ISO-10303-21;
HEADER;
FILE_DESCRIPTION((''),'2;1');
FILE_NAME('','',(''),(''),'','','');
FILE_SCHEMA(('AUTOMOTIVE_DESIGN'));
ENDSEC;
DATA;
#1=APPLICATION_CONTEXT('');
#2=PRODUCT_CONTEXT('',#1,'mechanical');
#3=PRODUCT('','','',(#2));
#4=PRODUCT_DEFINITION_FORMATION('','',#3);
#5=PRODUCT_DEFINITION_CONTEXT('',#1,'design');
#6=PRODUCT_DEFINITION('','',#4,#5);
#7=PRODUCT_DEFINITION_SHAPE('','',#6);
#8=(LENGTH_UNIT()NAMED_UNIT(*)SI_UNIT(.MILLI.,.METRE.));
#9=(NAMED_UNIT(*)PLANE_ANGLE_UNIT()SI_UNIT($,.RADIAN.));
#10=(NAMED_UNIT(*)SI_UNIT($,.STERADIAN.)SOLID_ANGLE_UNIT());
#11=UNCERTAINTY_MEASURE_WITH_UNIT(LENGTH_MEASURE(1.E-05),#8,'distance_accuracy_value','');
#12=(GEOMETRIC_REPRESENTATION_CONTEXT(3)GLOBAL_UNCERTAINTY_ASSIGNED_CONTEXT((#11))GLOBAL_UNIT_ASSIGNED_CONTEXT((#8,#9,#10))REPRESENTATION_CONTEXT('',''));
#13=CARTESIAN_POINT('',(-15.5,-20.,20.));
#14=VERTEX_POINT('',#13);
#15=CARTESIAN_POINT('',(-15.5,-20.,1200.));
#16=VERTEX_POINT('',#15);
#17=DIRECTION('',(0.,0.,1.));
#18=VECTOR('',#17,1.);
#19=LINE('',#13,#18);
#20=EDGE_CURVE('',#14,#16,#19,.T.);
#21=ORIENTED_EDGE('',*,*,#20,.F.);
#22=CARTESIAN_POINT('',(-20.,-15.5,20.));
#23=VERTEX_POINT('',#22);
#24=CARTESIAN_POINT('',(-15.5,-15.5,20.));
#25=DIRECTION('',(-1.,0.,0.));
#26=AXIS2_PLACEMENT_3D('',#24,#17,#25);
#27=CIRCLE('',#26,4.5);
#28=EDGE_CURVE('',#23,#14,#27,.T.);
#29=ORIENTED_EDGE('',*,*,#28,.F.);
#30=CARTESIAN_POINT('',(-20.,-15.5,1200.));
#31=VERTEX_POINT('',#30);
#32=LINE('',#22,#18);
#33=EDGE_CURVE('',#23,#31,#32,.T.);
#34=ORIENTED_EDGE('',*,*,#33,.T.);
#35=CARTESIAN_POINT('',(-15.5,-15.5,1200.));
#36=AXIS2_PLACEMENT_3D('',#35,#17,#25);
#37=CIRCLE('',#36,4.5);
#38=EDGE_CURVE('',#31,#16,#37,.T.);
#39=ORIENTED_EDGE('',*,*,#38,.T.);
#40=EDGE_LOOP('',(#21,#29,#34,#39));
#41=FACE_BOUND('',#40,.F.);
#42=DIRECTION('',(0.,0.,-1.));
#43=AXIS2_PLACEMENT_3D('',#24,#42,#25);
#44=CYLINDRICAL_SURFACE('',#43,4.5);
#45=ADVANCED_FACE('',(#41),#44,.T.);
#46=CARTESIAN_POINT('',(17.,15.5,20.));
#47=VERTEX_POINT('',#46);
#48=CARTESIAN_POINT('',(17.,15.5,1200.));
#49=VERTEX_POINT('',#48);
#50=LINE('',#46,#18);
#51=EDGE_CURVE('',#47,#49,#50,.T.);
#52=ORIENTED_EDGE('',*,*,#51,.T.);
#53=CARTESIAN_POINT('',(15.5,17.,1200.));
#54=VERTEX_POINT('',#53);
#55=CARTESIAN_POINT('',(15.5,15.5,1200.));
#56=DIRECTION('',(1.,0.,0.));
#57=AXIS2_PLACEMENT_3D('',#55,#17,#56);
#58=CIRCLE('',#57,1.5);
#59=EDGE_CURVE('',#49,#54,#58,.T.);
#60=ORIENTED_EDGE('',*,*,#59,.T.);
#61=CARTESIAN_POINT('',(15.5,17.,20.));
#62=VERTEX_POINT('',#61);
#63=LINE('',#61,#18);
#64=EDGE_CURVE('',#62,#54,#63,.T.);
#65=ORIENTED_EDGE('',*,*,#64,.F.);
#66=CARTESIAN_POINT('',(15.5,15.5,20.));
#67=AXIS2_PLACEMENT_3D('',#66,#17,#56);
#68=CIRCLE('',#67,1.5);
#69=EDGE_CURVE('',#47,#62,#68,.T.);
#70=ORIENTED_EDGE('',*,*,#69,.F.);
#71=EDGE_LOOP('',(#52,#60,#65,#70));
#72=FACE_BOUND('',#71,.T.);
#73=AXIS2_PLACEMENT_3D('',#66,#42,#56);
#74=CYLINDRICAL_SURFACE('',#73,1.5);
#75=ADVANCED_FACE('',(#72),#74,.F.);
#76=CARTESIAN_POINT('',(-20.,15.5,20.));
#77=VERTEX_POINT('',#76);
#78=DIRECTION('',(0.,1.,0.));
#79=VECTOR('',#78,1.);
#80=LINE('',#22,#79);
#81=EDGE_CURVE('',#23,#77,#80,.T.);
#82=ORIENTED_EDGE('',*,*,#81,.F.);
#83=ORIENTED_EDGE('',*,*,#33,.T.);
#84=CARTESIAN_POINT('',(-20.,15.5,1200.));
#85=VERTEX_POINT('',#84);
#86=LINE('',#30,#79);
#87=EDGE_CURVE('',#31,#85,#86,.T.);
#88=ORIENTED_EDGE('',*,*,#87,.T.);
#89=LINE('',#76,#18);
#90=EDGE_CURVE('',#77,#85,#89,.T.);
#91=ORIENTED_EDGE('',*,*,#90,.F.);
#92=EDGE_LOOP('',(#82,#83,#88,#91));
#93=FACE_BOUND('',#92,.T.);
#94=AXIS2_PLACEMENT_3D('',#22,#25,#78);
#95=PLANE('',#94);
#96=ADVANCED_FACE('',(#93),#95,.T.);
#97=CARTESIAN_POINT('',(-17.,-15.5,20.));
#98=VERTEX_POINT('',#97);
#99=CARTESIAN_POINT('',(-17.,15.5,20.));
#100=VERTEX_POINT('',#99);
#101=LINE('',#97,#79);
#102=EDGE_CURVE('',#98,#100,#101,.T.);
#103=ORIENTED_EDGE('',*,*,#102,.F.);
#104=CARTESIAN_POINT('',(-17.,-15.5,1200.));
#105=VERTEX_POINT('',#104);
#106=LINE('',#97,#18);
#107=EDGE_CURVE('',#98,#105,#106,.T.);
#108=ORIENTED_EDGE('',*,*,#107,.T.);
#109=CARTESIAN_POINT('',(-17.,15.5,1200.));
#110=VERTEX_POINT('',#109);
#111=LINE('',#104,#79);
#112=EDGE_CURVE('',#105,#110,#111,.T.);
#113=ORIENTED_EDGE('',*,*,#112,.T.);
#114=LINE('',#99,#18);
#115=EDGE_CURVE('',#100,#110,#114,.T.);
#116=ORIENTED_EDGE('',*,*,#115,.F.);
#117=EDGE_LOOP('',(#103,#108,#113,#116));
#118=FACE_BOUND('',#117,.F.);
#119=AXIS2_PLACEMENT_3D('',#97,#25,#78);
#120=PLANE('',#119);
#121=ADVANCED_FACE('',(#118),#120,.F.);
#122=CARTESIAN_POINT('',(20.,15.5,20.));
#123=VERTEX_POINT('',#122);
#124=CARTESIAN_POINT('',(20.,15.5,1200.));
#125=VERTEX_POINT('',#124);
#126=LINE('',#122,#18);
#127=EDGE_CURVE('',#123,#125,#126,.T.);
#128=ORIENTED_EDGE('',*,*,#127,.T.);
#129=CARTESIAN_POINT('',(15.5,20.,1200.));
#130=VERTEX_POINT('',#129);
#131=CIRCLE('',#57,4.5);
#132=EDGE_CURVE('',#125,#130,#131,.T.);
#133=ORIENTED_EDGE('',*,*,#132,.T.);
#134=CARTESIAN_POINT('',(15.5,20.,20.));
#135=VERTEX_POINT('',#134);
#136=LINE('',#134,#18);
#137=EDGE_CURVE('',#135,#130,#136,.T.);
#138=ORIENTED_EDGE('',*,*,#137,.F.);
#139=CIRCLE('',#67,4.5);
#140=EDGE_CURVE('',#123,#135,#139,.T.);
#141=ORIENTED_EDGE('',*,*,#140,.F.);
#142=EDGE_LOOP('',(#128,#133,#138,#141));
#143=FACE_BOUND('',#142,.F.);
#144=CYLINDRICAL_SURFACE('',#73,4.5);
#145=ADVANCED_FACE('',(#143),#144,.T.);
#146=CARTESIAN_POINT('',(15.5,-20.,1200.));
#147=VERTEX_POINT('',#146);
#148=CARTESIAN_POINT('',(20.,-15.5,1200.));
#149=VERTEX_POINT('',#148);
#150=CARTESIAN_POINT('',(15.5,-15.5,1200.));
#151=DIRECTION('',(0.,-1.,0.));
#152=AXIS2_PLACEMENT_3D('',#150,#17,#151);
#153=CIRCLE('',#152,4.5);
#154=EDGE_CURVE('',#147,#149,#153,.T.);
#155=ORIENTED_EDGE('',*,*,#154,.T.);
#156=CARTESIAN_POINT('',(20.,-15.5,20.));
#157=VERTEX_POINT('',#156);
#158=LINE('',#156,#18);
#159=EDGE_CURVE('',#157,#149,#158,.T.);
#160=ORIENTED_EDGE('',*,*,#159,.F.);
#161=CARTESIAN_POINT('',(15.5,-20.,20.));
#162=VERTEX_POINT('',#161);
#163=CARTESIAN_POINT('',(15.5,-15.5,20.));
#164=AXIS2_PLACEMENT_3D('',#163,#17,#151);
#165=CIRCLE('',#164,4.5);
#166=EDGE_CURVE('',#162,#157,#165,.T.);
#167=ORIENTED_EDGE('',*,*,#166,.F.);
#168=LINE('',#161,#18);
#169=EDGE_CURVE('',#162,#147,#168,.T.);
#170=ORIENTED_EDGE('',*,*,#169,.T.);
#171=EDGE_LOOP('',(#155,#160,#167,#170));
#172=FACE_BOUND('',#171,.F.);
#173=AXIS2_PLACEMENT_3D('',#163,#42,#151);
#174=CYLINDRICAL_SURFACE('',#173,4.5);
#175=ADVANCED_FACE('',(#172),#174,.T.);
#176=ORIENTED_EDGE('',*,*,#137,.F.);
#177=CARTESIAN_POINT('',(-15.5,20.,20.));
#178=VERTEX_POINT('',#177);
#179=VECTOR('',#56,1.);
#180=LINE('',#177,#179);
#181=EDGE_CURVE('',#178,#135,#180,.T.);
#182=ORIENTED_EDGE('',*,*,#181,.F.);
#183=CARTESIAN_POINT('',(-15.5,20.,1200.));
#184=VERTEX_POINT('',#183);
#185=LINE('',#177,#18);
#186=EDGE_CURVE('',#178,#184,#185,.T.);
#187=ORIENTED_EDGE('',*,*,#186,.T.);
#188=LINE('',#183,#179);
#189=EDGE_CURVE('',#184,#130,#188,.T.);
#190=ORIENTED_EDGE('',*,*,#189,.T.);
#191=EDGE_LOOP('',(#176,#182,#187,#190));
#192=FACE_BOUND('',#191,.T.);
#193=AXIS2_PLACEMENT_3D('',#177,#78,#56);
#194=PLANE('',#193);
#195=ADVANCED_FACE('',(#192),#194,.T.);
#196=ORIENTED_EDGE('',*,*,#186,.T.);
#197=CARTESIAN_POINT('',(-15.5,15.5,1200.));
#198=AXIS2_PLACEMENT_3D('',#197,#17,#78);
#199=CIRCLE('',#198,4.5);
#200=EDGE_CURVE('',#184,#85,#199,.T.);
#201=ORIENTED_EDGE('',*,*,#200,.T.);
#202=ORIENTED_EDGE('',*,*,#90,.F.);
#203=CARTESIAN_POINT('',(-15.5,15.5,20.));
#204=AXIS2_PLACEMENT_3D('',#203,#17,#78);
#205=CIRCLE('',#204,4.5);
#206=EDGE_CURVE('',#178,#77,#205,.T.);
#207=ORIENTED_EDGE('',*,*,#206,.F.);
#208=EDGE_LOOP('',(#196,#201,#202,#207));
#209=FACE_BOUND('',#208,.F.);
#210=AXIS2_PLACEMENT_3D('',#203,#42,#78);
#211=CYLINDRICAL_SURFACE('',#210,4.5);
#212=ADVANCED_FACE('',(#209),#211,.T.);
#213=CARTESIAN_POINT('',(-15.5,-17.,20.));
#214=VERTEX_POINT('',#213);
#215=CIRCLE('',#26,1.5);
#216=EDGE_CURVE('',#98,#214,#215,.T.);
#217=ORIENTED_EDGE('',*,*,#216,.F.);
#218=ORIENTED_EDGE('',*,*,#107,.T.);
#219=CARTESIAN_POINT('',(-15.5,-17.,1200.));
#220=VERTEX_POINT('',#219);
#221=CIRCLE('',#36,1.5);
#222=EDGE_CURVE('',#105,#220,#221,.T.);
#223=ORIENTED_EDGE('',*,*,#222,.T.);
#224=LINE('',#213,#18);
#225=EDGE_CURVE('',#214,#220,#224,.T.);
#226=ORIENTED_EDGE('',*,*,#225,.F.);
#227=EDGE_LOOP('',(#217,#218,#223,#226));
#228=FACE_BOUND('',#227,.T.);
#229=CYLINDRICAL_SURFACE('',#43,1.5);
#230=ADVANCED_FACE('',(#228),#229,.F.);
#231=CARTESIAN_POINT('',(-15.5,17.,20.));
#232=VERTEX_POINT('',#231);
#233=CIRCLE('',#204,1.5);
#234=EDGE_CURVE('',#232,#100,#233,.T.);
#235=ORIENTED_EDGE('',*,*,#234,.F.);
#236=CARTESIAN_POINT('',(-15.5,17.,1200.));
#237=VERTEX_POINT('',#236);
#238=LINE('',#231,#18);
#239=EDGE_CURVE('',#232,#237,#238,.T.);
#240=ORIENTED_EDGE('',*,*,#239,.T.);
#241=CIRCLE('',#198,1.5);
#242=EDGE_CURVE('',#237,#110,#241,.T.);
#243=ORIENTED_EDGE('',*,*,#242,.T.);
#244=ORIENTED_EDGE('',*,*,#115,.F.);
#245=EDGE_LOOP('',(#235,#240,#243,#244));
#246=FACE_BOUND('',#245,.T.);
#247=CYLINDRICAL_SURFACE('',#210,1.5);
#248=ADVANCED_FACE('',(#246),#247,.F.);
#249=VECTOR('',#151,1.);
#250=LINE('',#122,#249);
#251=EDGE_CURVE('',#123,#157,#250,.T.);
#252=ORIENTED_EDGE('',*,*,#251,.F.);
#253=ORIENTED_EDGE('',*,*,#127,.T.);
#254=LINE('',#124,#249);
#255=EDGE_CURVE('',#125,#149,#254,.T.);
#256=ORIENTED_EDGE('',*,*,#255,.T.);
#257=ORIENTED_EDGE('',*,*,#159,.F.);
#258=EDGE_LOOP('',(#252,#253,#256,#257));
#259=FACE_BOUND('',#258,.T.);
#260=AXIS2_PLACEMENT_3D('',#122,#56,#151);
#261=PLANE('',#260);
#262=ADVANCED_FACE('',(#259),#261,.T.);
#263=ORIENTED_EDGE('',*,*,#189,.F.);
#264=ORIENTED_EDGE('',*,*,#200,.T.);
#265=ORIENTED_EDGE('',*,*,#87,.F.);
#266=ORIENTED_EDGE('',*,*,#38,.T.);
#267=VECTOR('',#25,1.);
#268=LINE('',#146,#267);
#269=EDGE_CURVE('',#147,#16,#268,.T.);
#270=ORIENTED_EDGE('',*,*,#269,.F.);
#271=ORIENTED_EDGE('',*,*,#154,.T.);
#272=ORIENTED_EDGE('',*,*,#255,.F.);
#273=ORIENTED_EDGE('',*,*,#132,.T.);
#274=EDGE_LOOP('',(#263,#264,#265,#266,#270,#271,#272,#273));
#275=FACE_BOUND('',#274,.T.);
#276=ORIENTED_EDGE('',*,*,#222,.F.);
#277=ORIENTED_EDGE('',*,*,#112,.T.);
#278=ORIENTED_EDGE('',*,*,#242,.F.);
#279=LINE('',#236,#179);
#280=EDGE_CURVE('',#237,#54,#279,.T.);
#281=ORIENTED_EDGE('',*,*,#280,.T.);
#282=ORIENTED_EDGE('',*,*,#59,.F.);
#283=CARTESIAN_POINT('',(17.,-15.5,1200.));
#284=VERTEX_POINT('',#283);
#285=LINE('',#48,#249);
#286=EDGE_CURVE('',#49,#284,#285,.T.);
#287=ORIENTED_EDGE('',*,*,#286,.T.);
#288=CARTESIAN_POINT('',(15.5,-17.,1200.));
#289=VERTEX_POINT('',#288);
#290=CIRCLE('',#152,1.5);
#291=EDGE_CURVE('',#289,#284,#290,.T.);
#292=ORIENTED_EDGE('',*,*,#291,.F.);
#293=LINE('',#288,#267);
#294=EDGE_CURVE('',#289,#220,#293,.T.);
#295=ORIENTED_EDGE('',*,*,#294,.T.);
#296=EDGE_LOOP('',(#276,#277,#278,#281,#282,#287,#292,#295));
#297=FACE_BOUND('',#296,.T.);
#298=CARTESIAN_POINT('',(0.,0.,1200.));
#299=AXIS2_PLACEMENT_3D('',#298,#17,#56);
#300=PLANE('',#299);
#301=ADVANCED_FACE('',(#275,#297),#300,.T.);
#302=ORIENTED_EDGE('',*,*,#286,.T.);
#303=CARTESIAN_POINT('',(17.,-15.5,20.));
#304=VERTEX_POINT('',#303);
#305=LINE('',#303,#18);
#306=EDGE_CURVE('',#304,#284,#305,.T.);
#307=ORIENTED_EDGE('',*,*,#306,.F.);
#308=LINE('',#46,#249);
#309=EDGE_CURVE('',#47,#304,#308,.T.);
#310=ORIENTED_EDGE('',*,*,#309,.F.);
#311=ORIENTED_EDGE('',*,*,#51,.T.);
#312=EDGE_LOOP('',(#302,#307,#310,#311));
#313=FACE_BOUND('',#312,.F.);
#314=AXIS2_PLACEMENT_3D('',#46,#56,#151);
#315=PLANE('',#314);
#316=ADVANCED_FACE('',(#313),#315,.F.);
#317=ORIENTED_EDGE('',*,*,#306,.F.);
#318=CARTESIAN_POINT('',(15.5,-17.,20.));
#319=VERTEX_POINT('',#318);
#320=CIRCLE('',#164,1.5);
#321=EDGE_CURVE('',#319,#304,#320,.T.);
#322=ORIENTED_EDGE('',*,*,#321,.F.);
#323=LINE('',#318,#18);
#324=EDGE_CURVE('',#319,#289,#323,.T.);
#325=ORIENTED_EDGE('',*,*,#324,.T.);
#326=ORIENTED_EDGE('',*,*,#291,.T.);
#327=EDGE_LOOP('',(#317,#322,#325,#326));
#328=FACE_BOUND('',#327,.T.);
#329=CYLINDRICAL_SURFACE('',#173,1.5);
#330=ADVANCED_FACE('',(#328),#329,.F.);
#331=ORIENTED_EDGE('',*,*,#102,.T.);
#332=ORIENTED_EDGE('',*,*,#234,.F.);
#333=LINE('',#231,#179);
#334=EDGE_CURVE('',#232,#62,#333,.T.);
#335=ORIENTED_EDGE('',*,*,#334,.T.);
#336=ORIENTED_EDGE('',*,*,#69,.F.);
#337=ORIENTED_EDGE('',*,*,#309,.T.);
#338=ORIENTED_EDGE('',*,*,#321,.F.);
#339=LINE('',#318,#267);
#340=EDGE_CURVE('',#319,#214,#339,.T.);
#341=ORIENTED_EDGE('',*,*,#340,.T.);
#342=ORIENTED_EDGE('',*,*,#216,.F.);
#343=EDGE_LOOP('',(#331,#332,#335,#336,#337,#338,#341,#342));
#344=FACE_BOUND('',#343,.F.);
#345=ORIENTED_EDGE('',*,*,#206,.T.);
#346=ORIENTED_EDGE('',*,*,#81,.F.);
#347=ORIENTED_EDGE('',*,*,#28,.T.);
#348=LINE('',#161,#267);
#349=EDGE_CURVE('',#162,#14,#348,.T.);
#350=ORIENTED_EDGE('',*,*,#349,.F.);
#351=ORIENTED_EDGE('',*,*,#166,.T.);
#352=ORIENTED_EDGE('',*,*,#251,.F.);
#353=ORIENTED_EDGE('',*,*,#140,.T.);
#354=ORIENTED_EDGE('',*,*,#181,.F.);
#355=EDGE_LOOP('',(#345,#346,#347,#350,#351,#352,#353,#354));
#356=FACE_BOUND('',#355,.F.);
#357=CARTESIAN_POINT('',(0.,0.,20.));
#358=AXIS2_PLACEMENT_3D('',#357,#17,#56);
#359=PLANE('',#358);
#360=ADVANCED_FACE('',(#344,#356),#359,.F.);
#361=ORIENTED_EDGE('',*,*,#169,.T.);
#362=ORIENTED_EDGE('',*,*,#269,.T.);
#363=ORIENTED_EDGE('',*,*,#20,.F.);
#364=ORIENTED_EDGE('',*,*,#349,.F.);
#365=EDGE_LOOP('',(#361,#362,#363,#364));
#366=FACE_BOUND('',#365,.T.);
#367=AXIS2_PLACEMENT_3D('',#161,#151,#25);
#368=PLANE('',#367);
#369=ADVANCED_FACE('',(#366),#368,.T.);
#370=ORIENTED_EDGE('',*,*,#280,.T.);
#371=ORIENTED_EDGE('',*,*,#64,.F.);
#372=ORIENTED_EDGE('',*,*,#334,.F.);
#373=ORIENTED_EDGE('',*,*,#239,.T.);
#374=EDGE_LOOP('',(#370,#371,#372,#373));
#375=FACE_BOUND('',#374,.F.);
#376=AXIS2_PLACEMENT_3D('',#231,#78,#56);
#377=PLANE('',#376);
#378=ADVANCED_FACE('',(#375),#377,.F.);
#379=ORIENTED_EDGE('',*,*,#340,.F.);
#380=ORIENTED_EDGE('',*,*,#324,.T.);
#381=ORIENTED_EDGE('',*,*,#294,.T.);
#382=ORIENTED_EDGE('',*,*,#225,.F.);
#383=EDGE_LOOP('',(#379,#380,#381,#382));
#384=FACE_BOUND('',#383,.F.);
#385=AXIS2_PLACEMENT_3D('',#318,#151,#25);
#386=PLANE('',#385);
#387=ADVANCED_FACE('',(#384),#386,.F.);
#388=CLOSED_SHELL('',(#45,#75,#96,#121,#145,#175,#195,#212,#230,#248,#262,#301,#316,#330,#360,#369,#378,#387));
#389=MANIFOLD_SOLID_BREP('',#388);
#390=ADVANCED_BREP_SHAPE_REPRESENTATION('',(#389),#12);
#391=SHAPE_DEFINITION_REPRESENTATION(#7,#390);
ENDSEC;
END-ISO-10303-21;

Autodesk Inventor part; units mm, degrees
ref_plane "Start Plane" through (0, 0, 20) normal (0, 0, 1) x (1, 0, 0)
ref_plane "End Plane" through (0, 0, 1200) normal (0, 0, 1) x (1, 0, 0)
sketch "Sketch" plane through (0, 0, 0) normal (0, 0, 1) x (1, 0, 0)
  line L0 (-20, -15.5) -> (-20, 15.5)
  line L1 (-15.5, 20) -> (15.5, 20)
  line L2 (20, 15.5) -> (20, -15.5)
  line L3 (15.5, -20) -> (-15.5, -20)
  arc A0 (-20, -15.5) -> (-15.5, -20) centre (-15.5, -15.5) ccw
  arc A1 (-15.5, 20) -> (-20, 15.5) centre (-15.5, 15.5) ccw
  arc A2 (20, 15.5) -> (15.5, 20) centre (15.5, 15.5) ccw
  arc A3 (15.5, -20) -> (20, -15.5) centre (15.5, -15.5) ccw
  arc A4 (-15.5, 17) -> (-17, 15.5) centre (-15.5, 15.5) ccw
  line L4 (-15.5, 17) -> (15.5, 17)
  arc A5 (17, 15.5) -> (15.5, 17) centre (15.5, 15.5) ccw
  line L5 (17, 15.5) -> (17, -15.5)
  arc A6 (15.5, -17) -> (17, -15.5) centre (15.5, -15.5) ccw
  line L6 (15.5, -17) -> (-15.5, -17)
  arc A7 (-17, -15.5) -> (-15.5, -17) centre (-15.5, -15.5) ccw
  line L7 (-17, -15.5) -> (-17, 15.5)
  line L8 (0, 29.3048) -> (0, -29.3048) construction
  line L9 (-29.3048, 0) -> (29.3048, 0) construction
  dimension "d7" = 4.5
  dimension "d10" = 40
  dimension "d11" = 40
  dimension "d12" = 3
  dimension "d15" = 20
  dimension "d16" = 20
extrude "Body" add sketch "Sketch" along normal up to surface (1180 mm away) from surface at 20
sketch "Sketch3" plane through (0, 0, 0) normal (0, 0, 1) x (1, 0, 0)
  line L0 (0, 0) -> (10, 0)
ref_plane "Work Plane3" through (0, 0, 0) normal (0, -1, 0) x (1, 0, 0)
ref_plane "Work Plane4" through (-400, -15.5, 20) normal (0, 0, -1) x (-1, 0, 0)
split "Split1" plane through (-400, -15.5, 20) removes the side toward (0, 0, -1)
sketch "Sketch4" plane through (0, 0, 0) normal (0, -1, 0) x (1, 0, 0)
  line L0 (-2, 20) -> (12, 20) projected
  line L1 (-2, 1200) -> (12, 1200) projected
  dimension "d18" = 1180
equation "\"d7\" = G_IR"
equation "\"d10\" = G_H"
equation "\"d11\" = G_W"
equation "\"d12\" = G_T"
equation "\"d15\" = 0.5 * d10"
equation "\"d16\" = 0.5 * d11"
equation "\"d3\" = G_L"
equation "\"G_W\" = 40"
equation "\"G_H\" = 40"
equation "\"G_T\" = 3"
equation "\"G_IR\" = 4.5"
equation "\"G_L\" = d18"
equation "\"G_OFFSET_END\" = 0"
properties part number "ISO 12633-2 - 40x40x3 - 1180" material "Steel, Mild"
